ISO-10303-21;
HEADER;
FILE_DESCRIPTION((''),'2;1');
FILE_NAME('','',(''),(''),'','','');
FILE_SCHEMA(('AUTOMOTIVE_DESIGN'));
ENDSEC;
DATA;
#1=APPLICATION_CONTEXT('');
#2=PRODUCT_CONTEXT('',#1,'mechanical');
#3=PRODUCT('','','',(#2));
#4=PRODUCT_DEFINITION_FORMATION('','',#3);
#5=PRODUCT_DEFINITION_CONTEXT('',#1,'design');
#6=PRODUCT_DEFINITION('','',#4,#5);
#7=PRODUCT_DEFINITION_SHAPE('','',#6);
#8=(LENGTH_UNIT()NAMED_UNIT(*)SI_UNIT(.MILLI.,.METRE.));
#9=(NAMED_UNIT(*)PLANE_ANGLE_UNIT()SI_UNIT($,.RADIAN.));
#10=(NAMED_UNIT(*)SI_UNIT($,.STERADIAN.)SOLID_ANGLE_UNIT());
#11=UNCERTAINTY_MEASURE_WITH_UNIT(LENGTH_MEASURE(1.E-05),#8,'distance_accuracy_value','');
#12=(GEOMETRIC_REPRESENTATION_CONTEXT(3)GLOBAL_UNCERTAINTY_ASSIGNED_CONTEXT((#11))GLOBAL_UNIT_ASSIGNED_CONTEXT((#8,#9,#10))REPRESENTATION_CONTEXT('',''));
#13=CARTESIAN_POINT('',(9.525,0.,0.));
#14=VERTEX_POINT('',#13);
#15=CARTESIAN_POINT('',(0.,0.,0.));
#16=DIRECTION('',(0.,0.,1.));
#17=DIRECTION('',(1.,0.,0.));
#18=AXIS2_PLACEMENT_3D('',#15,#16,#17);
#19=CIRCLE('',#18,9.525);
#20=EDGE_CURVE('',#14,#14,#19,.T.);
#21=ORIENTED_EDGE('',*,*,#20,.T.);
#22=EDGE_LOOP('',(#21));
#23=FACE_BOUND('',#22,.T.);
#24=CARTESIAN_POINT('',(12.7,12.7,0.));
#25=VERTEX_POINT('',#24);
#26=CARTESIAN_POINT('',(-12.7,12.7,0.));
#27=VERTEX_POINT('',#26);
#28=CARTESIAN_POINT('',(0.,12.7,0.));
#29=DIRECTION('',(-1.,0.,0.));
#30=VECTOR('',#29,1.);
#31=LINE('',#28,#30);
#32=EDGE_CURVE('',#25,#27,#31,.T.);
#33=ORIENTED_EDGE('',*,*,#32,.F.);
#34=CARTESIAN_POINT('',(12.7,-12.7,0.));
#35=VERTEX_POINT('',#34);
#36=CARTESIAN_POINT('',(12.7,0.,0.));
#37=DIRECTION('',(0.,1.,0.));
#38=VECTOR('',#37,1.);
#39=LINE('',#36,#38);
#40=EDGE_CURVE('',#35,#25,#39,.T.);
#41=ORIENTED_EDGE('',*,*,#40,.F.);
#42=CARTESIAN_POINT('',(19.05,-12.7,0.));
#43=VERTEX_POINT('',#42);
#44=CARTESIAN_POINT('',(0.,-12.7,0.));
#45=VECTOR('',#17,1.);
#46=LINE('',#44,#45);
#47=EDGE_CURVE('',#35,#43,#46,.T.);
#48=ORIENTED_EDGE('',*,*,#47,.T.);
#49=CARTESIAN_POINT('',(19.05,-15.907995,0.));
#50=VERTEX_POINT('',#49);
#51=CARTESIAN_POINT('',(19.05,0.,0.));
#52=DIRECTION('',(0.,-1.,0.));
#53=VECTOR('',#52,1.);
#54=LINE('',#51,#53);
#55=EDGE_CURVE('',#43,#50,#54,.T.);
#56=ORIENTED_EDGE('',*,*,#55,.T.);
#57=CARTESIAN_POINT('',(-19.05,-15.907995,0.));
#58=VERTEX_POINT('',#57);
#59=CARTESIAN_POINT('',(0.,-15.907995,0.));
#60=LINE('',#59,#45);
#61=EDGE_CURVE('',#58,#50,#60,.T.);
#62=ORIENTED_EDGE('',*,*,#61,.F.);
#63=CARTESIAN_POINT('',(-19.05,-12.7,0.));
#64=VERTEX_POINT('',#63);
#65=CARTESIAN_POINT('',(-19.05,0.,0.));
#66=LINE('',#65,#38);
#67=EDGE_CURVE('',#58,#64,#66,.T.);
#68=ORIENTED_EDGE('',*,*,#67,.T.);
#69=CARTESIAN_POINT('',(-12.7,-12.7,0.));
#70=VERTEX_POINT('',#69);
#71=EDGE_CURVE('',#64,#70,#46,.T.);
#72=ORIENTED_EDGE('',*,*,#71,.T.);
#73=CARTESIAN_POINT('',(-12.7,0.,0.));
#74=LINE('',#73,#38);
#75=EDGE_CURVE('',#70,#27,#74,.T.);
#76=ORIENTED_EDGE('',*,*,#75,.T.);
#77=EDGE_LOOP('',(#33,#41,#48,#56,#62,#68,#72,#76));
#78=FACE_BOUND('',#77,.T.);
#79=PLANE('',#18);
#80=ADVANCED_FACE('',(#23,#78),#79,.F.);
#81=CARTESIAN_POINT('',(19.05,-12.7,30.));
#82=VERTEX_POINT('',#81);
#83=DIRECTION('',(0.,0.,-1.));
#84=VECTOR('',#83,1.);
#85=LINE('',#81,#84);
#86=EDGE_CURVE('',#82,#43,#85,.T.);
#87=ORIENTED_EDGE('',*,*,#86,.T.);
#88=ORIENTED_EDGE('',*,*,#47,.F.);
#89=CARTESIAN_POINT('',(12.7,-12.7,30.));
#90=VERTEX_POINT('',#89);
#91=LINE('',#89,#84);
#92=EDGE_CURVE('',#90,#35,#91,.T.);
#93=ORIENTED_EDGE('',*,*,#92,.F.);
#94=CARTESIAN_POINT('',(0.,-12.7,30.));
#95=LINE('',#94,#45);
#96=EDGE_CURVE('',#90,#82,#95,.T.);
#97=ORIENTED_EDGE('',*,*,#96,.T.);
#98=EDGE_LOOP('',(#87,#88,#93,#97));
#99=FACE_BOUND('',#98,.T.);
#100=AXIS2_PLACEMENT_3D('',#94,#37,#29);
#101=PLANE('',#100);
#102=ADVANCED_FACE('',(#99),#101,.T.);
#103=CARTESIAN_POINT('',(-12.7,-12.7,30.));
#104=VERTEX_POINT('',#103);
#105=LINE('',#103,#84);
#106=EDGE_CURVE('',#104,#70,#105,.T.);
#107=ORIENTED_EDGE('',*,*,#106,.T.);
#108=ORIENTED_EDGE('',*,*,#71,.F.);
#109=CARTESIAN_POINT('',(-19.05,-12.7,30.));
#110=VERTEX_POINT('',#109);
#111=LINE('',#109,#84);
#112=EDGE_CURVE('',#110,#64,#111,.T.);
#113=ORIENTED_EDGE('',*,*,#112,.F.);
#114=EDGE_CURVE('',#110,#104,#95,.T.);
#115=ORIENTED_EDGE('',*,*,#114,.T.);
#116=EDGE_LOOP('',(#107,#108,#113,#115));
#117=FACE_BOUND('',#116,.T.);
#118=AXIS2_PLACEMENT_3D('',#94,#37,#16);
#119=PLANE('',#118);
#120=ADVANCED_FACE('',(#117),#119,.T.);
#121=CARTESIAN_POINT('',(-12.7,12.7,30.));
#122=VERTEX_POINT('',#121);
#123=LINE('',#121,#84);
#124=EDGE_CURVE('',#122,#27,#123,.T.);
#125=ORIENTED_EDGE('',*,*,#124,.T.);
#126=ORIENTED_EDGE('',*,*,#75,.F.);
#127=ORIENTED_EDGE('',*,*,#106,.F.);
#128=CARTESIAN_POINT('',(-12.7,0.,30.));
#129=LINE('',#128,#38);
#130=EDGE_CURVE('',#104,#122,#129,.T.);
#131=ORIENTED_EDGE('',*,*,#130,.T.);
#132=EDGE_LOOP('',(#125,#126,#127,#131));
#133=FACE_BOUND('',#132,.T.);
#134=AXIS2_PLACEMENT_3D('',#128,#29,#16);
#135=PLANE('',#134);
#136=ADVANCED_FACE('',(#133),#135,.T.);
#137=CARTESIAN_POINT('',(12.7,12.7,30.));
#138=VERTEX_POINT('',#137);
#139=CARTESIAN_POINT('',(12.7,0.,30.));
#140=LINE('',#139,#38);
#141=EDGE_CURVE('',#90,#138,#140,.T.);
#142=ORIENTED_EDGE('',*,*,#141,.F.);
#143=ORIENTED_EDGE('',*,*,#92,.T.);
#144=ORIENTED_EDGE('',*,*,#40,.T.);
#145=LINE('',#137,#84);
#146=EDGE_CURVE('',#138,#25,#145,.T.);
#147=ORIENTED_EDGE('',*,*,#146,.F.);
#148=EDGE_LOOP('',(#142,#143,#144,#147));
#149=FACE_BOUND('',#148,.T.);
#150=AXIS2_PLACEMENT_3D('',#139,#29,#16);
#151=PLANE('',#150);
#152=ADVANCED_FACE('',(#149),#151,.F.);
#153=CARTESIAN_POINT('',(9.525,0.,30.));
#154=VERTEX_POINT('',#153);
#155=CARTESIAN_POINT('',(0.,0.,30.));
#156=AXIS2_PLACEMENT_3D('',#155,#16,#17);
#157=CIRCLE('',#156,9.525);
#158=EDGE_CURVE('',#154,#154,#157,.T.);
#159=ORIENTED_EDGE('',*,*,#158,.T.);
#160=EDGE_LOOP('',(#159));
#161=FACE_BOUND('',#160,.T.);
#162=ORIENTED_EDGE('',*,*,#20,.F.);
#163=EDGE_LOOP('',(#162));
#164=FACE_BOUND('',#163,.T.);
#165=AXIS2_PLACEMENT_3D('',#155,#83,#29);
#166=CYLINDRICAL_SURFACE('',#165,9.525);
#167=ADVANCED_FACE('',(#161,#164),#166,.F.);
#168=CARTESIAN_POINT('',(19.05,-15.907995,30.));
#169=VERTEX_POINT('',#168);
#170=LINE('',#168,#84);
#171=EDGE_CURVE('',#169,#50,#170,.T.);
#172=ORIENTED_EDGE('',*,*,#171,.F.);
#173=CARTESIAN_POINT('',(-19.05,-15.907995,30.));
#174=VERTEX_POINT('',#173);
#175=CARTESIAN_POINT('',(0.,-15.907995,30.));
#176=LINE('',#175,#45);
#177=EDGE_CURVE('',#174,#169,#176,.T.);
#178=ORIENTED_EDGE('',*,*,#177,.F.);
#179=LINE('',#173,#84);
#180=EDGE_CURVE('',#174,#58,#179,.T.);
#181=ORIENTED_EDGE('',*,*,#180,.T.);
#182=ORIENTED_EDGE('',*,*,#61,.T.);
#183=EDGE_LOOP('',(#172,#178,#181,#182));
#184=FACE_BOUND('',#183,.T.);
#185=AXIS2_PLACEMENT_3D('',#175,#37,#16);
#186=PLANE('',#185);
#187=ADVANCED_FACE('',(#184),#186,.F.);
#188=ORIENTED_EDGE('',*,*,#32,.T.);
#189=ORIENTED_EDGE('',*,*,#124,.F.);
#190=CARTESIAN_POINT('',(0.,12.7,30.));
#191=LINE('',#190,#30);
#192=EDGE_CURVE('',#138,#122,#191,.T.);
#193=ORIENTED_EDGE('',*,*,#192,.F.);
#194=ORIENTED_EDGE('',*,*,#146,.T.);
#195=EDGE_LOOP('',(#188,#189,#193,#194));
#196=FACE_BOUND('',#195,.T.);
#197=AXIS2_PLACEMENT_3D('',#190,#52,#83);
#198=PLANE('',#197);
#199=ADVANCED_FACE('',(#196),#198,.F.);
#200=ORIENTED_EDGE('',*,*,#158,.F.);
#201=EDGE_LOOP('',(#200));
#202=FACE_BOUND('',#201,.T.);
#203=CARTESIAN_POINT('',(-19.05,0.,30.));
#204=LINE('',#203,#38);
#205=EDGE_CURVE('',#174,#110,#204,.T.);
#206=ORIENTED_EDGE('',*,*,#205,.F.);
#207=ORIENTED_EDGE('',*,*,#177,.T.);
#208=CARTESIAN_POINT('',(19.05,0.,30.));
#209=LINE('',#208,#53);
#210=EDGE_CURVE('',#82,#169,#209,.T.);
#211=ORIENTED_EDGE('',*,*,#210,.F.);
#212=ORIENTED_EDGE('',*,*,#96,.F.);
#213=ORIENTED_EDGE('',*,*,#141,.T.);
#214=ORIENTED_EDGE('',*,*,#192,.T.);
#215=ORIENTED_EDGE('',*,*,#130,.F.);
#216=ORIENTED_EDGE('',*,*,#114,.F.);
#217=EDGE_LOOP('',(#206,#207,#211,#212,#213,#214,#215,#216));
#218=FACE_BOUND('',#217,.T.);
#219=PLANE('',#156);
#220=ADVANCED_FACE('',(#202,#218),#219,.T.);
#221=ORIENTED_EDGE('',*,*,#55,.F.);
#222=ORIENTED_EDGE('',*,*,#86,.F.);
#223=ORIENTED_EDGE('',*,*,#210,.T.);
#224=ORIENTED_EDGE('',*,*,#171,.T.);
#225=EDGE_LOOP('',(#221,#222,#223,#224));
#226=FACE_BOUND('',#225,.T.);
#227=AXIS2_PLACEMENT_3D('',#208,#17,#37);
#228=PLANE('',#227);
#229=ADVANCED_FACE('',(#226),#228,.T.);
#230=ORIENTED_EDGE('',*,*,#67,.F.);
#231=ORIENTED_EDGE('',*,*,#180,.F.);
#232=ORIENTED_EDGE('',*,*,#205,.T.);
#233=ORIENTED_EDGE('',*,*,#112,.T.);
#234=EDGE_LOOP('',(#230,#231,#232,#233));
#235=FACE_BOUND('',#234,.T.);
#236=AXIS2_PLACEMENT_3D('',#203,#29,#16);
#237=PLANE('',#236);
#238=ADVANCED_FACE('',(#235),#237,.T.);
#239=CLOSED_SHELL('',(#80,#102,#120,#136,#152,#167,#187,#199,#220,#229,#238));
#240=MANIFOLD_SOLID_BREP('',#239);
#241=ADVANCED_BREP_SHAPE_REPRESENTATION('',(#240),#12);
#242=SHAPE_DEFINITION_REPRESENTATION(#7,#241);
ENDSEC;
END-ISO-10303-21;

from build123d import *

# Parameters (mm, degrees)
SKETCH1_R           = 9.525
BOSS_EXTRUDE1_DEPTH = 30


with BuildPart() as part:
    # Sketch1 → Boss-Extrude1 (new body)
    with BuildSketch(Plane.XY):
        Polygon((12.7, -12.7), (12.7, 12.7), (-12.7, 12.7), (-12.7, -12.7), (-19.05, -12.7), (-19.05, -15.9079946), (19.05, -15.9079946), (19.05, -12.7), align=None)
        Circle(SKETCH1_R, mode=Mode.SUBTRACT)
    extrude(amount=BOSS_EXTRUDE1_DEPTH)


solid = part.part
